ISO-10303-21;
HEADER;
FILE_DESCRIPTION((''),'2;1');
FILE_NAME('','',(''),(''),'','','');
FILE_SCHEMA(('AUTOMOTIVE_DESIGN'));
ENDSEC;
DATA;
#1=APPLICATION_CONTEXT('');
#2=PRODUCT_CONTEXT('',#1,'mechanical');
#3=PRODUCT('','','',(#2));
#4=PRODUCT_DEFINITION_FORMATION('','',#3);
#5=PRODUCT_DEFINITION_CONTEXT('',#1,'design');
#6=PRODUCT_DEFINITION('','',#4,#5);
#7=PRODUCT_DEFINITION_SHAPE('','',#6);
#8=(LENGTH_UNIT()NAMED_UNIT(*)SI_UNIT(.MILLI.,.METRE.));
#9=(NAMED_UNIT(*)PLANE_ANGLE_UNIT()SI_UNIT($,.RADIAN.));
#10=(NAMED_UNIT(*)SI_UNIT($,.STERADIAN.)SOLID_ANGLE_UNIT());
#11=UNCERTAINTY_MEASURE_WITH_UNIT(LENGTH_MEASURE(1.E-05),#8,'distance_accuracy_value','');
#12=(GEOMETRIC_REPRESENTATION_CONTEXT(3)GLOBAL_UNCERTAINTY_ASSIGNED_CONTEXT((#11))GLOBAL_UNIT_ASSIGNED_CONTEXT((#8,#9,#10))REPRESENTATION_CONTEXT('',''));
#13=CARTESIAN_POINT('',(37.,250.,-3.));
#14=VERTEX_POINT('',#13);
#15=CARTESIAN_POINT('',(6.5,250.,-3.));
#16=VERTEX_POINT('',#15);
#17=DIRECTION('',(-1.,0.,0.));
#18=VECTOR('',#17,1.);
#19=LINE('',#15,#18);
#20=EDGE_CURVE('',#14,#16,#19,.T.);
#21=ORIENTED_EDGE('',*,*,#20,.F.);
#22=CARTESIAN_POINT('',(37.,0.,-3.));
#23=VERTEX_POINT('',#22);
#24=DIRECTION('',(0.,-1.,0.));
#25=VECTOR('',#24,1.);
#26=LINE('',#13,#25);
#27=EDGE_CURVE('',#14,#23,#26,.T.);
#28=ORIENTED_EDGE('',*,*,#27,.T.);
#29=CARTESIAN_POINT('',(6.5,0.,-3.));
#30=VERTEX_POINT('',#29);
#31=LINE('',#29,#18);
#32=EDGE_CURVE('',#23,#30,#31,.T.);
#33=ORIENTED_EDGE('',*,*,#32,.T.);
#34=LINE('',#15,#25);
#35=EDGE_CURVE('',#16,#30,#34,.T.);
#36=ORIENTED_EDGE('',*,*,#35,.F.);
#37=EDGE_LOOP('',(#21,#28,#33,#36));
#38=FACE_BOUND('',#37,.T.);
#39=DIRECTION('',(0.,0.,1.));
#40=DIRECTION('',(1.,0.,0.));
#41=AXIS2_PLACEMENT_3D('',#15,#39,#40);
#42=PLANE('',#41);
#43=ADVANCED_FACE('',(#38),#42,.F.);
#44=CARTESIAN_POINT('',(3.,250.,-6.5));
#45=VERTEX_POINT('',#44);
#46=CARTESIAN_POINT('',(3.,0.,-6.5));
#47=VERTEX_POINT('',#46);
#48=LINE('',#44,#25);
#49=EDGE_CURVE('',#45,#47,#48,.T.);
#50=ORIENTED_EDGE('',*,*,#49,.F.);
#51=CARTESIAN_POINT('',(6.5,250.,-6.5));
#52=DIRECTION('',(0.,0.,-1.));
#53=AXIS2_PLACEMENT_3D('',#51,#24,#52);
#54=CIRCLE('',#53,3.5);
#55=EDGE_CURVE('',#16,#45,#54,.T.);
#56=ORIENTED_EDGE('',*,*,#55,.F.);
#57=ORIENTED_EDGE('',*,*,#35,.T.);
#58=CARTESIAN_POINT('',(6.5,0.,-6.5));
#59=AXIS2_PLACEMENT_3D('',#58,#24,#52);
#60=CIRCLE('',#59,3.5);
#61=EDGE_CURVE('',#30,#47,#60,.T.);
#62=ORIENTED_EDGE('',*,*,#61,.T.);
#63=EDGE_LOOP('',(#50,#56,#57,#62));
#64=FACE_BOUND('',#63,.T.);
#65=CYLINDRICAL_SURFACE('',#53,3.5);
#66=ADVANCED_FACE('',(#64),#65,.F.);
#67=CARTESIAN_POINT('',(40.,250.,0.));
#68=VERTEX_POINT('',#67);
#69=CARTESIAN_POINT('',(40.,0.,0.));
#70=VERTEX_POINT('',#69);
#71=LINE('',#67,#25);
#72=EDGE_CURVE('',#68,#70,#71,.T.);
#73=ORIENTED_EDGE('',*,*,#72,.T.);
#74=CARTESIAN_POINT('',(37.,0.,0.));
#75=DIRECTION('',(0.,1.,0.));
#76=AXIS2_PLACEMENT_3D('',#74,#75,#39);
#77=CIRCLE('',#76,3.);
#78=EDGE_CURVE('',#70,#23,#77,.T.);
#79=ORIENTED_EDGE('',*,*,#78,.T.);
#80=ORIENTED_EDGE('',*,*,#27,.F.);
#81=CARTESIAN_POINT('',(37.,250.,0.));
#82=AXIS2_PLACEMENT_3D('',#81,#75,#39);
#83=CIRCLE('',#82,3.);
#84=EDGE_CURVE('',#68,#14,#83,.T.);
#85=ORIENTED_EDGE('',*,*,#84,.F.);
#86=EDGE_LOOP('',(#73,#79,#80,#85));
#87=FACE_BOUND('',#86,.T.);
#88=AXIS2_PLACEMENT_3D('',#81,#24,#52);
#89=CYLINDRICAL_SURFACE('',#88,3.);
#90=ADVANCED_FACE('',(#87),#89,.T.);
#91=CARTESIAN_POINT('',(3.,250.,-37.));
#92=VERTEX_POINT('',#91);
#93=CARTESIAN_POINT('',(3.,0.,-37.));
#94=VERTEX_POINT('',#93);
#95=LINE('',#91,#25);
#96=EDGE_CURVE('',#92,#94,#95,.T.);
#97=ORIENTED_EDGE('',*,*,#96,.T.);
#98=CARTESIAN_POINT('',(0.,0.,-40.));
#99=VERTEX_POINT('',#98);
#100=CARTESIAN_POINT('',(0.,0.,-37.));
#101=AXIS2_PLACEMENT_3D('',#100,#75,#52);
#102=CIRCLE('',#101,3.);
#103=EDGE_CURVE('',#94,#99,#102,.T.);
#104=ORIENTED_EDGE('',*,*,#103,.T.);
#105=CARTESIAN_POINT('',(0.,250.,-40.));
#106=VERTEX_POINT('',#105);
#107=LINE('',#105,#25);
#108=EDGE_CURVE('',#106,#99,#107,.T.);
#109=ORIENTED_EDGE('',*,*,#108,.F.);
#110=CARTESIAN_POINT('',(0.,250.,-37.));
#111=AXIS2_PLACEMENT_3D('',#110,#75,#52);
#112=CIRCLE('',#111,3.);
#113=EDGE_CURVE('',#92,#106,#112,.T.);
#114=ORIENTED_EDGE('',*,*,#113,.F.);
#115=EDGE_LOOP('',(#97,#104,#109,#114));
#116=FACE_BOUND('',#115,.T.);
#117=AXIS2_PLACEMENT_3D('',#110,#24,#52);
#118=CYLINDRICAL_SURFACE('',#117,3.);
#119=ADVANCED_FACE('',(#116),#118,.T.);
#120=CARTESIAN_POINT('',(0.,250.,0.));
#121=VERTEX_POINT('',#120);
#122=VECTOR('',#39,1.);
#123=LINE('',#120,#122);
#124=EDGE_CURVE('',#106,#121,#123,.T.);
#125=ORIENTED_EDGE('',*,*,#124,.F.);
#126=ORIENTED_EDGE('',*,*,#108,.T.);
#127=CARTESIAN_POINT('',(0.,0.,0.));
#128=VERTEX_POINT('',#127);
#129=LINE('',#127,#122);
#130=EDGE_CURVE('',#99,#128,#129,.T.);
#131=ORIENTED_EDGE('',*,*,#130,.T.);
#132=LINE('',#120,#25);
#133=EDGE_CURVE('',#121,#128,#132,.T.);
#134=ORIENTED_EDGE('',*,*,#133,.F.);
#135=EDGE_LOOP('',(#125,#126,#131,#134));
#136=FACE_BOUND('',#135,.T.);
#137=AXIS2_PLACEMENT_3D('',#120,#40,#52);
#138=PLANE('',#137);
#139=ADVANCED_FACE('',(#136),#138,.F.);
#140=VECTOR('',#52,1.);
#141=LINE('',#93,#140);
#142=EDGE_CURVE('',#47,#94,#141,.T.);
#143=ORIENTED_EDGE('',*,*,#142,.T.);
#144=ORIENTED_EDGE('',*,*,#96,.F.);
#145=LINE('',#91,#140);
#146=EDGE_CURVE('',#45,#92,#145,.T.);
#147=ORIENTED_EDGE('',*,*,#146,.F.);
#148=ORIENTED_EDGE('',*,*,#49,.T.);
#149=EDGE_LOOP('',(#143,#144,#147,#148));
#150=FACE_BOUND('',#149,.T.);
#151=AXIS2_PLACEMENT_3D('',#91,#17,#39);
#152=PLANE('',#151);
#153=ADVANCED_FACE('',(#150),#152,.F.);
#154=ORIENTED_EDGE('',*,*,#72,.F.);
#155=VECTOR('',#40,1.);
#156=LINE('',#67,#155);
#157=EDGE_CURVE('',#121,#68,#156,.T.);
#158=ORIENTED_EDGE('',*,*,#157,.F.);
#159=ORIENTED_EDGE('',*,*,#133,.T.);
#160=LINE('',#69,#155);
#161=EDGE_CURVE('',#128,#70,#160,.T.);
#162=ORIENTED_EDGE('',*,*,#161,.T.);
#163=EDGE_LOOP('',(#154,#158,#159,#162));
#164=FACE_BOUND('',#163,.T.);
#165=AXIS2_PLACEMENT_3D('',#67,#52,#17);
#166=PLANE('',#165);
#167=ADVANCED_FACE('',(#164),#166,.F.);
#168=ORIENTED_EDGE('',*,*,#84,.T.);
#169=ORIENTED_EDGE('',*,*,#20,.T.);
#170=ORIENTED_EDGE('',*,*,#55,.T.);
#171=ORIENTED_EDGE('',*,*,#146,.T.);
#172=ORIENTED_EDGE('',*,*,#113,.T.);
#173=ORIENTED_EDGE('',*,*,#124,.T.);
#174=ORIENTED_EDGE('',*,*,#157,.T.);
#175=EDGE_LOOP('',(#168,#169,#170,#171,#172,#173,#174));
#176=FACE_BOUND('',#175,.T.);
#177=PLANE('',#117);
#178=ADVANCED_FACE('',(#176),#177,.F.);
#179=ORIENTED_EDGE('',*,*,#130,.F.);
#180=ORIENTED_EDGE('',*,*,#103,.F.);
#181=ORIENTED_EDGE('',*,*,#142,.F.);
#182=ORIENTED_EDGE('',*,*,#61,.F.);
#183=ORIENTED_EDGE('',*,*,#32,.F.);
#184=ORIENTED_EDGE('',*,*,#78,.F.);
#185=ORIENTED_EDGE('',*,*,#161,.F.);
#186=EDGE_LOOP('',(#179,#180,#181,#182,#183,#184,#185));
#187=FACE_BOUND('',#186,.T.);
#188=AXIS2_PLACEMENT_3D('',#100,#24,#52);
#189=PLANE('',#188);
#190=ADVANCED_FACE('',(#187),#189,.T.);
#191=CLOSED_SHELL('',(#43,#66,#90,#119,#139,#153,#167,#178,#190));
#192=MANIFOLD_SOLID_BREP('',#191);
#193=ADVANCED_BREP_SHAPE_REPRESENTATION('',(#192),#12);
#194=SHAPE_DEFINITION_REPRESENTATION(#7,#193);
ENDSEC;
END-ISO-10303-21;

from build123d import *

# Parameters (mm, degrees)
IRON_V40X40X3_1_DEPTH = 250


with BuildPart() as part:
    # Sketch11 → Iron V40X40X3(1) (new body)
    with BuildSketch(Plane(origin=(0, 0, 0), x_dir=(1, 0, 0), z_dir=(0, 1, 0))):
        with BuildLine():
            Line((0, 0), (0, 40))
            ThreePointArc((0, 40), (2.121320344, 39.121320344), (3, 37))
            Line((3, 37), (3, 6.5))
            ThreePointArc((3, 6.5), (4.025126266, 4.025126266), (6.5, 3))
            Line((6.5, 3), (37, 3))
            ThreePointArc((37, 3), (39.121320344, 2.121320344), (40, 0))
            Line((40, 0), (0, 0))
        make_face()
    extrude(amount=IRON_V40X40X3_1_DEPTH)


solid = part.part
